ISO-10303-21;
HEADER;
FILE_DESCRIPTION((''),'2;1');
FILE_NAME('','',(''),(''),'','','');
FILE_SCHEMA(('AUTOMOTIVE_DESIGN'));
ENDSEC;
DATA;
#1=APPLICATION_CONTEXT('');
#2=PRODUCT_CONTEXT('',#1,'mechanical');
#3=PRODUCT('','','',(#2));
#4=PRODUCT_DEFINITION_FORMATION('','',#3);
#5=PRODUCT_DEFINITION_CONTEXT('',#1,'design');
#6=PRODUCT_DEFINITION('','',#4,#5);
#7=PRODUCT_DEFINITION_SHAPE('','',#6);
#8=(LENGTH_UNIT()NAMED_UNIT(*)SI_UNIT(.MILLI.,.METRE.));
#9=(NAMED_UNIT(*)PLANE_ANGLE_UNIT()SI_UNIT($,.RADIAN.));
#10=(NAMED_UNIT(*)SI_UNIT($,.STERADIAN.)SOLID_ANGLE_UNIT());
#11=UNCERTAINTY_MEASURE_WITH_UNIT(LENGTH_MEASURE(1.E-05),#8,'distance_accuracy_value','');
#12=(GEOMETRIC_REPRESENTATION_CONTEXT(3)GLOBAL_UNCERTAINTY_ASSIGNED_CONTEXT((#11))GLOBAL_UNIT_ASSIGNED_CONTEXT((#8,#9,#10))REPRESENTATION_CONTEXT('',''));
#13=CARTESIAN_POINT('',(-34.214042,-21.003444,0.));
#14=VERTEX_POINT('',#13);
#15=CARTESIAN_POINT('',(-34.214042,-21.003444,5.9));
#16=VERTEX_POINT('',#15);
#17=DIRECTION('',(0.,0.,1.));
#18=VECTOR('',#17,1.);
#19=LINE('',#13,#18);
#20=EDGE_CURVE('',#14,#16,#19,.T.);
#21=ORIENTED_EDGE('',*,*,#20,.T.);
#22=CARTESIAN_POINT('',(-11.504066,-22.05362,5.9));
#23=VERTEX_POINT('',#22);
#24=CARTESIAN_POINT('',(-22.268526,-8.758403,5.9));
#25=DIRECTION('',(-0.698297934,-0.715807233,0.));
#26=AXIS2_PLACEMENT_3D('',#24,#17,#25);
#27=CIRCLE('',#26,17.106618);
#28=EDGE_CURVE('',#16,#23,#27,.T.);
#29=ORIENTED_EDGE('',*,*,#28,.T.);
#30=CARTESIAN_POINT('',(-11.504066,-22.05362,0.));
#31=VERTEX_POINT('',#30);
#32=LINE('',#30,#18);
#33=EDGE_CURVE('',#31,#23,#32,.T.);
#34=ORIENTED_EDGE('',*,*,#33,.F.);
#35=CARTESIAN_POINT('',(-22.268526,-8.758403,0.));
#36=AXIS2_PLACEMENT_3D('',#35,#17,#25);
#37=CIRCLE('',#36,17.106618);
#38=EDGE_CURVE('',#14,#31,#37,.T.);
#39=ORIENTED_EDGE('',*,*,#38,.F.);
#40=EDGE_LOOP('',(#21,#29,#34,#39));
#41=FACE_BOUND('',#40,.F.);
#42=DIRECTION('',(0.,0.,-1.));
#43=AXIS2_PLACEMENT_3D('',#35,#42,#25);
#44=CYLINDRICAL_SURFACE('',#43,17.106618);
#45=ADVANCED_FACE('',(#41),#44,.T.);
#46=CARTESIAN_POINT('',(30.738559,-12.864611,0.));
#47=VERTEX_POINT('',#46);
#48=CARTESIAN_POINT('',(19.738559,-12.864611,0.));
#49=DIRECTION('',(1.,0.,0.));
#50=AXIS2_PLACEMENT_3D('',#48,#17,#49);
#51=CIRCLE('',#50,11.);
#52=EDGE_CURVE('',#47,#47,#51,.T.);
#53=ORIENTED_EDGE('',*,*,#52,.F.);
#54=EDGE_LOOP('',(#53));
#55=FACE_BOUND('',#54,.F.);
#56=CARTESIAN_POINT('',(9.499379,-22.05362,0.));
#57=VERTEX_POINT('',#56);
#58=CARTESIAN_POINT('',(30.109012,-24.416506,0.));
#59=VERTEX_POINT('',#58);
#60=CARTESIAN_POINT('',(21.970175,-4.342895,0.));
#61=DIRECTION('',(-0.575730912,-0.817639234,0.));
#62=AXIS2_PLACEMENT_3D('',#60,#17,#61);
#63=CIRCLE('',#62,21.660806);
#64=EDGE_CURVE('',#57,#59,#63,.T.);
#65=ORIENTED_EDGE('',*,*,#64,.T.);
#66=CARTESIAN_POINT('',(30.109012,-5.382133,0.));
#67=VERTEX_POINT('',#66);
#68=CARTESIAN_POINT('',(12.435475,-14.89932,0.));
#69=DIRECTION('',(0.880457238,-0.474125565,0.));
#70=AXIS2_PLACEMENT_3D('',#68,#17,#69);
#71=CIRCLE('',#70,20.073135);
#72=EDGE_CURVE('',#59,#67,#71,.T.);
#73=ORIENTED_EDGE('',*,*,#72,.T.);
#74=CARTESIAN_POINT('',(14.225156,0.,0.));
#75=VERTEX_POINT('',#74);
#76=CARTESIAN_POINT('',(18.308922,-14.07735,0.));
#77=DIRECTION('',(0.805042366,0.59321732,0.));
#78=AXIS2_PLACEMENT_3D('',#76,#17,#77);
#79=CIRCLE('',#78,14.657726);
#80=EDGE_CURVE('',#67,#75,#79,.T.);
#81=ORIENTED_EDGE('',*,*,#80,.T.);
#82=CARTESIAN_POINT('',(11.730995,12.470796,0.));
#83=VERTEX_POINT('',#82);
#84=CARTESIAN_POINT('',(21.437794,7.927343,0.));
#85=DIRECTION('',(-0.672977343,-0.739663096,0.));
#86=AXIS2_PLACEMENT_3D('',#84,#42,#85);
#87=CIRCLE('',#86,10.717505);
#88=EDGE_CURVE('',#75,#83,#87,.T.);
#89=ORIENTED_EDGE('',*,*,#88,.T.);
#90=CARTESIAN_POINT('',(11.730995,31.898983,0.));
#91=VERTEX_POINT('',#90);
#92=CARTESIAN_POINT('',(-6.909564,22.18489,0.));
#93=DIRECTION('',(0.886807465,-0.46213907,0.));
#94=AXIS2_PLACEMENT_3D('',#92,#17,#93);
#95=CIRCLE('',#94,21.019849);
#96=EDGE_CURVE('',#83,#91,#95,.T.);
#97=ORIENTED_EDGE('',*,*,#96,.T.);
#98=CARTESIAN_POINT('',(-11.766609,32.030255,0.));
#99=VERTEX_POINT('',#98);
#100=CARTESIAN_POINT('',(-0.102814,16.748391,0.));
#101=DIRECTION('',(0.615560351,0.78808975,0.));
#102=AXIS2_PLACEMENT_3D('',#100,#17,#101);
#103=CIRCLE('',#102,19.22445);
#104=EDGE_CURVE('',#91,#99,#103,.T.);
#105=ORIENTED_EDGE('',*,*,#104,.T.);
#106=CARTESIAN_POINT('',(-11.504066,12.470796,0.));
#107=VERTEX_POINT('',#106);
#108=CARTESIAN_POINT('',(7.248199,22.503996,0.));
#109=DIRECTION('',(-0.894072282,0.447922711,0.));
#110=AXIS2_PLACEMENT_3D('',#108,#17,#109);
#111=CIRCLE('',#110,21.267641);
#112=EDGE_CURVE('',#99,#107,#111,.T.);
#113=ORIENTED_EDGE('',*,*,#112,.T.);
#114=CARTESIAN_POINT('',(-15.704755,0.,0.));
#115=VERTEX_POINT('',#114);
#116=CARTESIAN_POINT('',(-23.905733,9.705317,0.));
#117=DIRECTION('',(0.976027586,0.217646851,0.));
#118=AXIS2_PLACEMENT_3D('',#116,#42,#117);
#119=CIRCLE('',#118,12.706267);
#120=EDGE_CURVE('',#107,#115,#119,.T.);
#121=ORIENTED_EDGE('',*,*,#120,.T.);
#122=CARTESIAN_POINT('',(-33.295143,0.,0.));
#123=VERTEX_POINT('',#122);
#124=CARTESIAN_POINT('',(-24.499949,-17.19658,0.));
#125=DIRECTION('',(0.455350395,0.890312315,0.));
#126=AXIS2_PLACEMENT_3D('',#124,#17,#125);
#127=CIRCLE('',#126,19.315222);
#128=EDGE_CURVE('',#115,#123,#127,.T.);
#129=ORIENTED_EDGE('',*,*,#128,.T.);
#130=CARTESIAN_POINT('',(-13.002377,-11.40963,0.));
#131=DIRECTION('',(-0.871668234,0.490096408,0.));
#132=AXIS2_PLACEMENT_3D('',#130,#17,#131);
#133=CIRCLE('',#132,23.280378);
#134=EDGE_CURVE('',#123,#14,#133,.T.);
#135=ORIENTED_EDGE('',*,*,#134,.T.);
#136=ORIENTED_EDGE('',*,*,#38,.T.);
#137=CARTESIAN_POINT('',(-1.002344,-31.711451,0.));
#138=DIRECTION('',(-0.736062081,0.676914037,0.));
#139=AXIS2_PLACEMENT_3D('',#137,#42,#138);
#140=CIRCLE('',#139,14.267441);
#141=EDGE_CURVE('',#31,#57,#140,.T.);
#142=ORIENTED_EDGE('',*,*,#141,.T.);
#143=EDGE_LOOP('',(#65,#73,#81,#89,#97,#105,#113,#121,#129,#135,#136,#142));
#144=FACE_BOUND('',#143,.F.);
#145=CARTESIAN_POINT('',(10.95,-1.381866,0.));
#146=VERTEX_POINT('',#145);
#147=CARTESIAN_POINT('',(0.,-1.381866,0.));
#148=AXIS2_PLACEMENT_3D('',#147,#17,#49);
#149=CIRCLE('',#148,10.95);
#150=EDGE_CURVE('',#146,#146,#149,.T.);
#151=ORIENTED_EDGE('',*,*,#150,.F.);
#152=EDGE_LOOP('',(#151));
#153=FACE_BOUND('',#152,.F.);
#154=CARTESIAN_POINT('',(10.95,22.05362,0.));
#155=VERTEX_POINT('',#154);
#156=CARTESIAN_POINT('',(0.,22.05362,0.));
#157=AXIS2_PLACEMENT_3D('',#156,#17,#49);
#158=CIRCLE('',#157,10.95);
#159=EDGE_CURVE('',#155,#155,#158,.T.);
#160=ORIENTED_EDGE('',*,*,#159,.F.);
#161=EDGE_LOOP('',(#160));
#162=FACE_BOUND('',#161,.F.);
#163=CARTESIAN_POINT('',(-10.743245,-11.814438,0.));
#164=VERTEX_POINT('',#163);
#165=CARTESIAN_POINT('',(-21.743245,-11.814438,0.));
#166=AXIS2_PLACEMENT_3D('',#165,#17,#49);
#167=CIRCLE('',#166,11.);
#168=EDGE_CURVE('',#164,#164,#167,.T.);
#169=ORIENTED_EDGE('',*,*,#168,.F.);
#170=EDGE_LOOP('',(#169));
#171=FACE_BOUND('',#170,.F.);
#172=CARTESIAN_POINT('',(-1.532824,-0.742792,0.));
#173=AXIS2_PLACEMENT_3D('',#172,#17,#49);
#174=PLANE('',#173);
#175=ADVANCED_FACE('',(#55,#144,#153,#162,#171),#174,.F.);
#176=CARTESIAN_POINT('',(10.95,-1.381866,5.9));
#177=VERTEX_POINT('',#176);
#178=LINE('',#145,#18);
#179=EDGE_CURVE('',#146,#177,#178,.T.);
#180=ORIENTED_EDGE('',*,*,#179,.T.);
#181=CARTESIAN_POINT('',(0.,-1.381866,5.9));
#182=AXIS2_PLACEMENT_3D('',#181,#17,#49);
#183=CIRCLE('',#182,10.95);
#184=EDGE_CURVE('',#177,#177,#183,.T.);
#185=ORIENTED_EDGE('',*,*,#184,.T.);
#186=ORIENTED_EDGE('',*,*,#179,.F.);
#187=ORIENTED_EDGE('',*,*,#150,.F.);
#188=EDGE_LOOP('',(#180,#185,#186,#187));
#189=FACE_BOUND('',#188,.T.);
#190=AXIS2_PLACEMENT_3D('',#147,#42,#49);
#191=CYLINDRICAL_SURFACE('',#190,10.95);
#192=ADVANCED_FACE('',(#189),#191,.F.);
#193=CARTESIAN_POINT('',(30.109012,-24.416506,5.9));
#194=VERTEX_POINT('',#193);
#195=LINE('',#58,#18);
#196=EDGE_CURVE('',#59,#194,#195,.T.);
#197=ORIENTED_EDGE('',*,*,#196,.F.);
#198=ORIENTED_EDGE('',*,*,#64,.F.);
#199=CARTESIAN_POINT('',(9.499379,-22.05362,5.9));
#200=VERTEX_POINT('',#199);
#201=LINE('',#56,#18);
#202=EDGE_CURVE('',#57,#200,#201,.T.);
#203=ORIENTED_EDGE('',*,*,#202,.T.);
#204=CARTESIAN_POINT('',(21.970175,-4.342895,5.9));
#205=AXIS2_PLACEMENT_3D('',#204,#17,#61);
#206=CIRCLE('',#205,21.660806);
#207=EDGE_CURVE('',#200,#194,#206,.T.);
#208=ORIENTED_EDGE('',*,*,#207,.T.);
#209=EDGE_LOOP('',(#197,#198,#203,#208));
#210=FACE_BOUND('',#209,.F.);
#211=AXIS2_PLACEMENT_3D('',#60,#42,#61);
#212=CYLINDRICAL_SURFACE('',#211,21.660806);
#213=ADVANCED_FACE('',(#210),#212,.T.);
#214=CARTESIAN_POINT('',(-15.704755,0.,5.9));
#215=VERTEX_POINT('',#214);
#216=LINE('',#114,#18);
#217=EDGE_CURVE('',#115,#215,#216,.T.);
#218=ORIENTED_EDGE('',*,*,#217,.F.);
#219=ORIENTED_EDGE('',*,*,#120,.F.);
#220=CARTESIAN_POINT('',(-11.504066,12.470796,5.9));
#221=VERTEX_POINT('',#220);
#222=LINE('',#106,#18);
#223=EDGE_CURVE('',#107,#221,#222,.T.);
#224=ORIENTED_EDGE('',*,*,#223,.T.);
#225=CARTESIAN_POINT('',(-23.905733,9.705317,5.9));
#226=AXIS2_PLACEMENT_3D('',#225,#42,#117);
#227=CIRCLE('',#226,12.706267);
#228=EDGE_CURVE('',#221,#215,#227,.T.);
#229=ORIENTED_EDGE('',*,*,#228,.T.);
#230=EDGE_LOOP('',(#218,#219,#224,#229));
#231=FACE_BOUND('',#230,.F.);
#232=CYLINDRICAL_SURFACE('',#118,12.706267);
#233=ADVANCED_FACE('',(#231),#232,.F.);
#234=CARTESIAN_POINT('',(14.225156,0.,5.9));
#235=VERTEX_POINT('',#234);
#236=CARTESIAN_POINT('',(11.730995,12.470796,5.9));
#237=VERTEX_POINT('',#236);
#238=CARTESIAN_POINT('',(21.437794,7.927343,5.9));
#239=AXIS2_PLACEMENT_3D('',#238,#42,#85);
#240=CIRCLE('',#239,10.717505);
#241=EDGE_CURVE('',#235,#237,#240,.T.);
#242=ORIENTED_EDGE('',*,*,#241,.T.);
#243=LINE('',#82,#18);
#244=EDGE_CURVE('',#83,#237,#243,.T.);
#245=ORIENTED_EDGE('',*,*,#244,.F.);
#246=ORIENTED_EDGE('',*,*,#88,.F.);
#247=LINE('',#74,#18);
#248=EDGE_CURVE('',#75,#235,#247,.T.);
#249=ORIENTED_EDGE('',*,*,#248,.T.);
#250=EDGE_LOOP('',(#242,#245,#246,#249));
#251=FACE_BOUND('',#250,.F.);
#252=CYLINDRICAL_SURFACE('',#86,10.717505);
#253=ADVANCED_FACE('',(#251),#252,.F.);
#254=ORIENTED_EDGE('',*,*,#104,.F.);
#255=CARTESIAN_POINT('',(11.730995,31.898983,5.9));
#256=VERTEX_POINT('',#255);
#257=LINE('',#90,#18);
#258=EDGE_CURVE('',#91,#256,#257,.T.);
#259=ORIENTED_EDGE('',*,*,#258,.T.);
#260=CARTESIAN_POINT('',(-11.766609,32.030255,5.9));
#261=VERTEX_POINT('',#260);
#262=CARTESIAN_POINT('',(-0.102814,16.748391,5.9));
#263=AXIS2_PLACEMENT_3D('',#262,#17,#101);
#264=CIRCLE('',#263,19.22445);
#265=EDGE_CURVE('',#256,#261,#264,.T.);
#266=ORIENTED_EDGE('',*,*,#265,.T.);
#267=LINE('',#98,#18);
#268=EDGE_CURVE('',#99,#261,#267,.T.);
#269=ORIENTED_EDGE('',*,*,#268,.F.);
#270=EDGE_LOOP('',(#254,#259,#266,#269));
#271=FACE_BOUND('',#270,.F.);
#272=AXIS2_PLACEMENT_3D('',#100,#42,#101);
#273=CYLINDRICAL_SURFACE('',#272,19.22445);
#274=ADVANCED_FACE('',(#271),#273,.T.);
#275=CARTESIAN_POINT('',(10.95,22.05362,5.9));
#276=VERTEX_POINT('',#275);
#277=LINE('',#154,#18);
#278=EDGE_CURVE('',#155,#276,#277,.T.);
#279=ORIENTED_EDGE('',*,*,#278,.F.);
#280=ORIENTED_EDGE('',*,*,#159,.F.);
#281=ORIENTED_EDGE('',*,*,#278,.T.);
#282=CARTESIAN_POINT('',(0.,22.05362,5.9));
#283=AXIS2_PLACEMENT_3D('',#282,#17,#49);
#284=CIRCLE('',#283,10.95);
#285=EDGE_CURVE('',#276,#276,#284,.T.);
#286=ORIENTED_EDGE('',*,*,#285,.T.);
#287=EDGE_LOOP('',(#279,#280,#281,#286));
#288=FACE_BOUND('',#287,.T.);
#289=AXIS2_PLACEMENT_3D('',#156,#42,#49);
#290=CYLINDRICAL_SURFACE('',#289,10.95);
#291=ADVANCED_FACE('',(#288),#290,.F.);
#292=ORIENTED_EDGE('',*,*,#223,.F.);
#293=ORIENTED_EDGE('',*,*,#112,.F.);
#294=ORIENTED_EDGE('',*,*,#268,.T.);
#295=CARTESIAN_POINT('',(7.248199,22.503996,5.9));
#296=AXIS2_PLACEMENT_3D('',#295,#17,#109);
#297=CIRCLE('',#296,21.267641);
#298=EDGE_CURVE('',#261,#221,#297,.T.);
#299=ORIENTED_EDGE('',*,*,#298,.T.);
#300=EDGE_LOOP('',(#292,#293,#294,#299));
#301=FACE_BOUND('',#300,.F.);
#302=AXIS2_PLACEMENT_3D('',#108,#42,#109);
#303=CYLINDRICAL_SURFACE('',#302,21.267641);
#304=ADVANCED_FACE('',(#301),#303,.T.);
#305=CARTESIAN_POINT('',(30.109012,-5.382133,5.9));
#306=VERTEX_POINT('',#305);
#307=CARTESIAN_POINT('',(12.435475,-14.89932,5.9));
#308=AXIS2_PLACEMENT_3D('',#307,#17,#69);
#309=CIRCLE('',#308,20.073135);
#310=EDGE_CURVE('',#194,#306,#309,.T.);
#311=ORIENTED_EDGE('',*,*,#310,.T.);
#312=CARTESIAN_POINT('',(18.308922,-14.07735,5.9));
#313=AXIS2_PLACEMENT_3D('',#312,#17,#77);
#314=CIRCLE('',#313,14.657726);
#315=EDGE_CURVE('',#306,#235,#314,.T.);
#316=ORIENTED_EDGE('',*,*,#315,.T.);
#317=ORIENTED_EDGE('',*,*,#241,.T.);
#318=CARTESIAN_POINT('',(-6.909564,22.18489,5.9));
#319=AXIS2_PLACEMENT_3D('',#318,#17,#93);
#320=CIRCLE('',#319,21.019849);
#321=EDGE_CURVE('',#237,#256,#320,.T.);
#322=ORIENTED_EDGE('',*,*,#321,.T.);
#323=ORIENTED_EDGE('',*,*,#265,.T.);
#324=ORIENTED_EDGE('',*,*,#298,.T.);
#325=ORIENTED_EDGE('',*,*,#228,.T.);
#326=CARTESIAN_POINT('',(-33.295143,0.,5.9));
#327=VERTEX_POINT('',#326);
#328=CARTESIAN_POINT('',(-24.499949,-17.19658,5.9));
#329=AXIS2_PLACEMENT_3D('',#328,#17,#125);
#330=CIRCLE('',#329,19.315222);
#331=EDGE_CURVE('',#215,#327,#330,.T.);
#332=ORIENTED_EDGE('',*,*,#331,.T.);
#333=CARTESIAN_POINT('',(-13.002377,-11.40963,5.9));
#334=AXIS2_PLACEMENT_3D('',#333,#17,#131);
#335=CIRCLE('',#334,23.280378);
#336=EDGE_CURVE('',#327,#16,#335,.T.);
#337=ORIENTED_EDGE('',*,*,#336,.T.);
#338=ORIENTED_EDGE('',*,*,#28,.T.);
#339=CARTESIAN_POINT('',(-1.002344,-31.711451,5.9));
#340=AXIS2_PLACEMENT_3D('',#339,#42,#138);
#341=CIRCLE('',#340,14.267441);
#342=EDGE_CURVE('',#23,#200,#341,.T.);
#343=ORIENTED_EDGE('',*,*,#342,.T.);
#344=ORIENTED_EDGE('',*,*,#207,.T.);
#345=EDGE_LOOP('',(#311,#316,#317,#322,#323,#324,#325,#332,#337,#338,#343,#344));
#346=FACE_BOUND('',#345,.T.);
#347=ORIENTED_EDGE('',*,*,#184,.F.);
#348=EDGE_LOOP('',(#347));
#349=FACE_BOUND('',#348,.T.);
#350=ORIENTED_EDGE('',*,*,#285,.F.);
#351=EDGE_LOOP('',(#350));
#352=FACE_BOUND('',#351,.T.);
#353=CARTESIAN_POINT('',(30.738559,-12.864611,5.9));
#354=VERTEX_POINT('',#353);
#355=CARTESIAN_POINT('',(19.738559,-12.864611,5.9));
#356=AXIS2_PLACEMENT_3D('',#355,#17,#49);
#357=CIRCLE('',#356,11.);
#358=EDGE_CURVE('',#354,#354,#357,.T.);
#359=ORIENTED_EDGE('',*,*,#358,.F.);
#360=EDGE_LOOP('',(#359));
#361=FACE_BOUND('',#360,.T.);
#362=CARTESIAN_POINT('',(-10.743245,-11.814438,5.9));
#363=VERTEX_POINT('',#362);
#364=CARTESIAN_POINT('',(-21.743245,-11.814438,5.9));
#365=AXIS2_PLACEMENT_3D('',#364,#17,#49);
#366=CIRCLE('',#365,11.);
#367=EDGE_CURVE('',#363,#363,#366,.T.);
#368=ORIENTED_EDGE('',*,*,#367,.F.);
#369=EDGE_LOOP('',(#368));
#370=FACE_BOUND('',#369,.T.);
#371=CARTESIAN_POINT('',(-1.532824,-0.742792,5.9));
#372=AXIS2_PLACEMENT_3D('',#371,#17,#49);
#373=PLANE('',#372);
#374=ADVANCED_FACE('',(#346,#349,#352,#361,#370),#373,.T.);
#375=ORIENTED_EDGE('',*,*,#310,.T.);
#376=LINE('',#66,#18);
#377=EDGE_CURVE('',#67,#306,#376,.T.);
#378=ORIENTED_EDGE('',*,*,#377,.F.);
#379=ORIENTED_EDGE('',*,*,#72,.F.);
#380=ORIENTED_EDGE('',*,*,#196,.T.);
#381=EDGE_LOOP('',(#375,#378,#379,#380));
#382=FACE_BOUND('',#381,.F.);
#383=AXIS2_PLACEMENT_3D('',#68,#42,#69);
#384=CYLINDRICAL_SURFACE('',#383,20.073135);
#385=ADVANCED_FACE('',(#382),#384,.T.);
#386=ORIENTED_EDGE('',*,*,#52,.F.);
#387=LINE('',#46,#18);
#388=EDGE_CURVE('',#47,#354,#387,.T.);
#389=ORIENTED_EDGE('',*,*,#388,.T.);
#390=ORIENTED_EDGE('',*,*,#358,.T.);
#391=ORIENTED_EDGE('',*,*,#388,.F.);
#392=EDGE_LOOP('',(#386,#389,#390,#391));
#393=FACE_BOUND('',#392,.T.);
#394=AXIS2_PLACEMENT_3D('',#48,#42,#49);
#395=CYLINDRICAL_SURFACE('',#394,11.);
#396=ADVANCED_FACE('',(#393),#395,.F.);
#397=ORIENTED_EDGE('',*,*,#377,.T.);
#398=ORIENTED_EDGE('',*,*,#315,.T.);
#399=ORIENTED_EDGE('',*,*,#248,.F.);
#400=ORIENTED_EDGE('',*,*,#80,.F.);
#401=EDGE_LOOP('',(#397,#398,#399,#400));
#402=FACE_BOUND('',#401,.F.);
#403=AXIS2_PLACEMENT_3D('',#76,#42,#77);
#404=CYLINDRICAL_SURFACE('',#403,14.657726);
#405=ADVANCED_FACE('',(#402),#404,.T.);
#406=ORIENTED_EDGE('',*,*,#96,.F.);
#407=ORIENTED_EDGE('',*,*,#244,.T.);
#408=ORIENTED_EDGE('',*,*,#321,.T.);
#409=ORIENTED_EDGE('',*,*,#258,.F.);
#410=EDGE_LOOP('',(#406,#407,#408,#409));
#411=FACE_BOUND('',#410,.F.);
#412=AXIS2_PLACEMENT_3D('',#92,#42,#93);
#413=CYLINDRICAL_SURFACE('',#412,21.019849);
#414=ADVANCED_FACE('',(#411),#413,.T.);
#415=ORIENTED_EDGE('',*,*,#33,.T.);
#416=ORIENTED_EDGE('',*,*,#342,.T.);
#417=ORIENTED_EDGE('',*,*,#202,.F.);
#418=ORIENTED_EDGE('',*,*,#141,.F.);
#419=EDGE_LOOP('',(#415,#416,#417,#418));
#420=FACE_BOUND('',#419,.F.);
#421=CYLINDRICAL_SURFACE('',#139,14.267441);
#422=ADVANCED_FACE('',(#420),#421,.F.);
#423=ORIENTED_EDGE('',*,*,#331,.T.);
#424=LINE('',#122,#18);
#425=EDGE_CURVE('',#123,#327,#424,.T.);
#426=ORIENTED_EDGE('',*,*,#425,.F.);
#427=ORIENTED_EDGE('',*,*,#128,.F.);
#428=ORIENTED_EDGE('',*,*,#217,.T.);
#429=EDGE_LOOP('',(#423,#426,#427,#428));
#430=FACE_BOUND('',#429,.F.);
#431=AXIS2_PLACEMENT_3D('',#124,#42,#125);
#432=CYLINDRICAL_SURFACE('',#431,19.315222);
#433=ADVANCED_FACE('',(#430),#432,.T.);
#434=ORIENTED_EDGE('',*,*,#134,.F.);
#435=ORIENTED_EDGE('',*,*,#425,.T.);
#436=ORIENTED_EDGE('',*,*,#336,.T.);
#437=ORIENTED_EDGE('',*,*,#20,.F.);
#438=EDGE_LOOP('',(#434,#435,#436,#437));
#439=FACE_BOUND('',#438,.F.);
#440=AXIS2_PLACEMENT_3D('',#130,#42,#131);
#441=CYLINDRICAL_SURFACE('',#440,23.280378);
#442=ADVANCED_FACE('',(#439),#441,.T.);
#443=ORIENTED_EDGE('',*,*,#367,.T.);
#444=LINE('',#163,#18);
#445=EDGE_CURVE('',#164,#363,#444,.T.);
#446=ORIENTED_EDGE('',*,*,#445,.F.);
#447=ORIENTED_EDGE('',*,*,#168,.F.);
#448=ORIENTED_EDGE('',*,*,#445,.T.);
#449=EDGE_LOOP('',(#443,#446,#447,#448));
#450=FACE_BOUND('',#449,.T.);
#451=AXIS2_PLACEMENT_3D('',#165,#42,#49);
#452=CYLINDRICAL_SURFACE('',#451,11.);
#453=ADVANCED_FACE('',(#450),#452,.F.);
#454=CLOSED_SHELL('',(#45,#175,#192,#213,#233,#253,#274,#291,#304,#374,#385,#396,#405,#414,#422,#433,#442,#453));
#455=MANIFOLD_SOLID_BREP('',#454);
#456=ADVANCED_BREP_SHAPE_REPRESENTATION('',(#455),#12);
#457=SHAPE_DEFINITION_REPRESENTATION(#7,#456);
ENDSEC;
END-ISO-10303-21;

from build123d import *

# Parameters (mm, degrees)
F0_R     = 11
F0_R_2   = 10.95
F1_DEPTH = 5.9


with BuildPart() as f1:
    # F0 (on Top) → F1 (new body)
    with BuildSketch(Plane.XY):
        with BuildLine():
            ThreePointArc((11.730995, 12.470796), (14.110285, 22.184889), (11.730995, 31.898983))
            ThreePointArc((11.730995, 31.898983), (0.004584, 35.972541), (-11.766609, 32.030255))
            ThreePointArc((-11.766609, 32.030255), (-14.017526, 22.21855), (-11.504066, 12.470796))
            ThreePointArc((-11.504066, 12.470796), (-11.864245, 5.649237), (-15.704755, 0))
            ThreePointArc((-15.704755, 0), (-24.499949, 2.118642), (-33.295143, 0))
            ThreePointArc((-33.295143, 0), (-36.260507, -10.392088), (-34.214042, -21.003444))
            ThreePointArc((-34.214042, -21.003444), (-23.058742, -25.84676), (-11.504066, -22.05362))
            ThreePointArc((-11.504066, -22.05362), (-1.002343, -17.44401), (9.499379, -22.05362))
            ThreePointArc((9.499379, -22.05362), (19.502935, -25.862729), (30.109012, -24.416506))
            ThreePointArc((30.109012, -24.416506), (32.50861, -14.89932), (30.109012, -5.382133))
            ThreePointArc((30.109012, -5.382133), (23.012884, -0.194927), (14.225156, 0))
            ThreePointArc((14.225156, 0), (10.928416, 5.825466), (11.730995, 12.470796))
        make_face()
        with Locations((-21.743245, -11.814438)):
            Circle(F0_R, mode=Mode.SUBTRACT)
        with Locations((19.738559, -12.864611)):
            Circle(F0_R, mode=Mode.SUBTRACT)
        with Locations((0, -1.381866)):
            Circle(F0_R_2, mode=Mode.SUBTRACT)
        with Locations((0, 22.05362)):
            Circle(F0_R_2, mode=Mode.SUBTRACT)
    extrude(amount=F1_DEPTH)


solid = f1.part
